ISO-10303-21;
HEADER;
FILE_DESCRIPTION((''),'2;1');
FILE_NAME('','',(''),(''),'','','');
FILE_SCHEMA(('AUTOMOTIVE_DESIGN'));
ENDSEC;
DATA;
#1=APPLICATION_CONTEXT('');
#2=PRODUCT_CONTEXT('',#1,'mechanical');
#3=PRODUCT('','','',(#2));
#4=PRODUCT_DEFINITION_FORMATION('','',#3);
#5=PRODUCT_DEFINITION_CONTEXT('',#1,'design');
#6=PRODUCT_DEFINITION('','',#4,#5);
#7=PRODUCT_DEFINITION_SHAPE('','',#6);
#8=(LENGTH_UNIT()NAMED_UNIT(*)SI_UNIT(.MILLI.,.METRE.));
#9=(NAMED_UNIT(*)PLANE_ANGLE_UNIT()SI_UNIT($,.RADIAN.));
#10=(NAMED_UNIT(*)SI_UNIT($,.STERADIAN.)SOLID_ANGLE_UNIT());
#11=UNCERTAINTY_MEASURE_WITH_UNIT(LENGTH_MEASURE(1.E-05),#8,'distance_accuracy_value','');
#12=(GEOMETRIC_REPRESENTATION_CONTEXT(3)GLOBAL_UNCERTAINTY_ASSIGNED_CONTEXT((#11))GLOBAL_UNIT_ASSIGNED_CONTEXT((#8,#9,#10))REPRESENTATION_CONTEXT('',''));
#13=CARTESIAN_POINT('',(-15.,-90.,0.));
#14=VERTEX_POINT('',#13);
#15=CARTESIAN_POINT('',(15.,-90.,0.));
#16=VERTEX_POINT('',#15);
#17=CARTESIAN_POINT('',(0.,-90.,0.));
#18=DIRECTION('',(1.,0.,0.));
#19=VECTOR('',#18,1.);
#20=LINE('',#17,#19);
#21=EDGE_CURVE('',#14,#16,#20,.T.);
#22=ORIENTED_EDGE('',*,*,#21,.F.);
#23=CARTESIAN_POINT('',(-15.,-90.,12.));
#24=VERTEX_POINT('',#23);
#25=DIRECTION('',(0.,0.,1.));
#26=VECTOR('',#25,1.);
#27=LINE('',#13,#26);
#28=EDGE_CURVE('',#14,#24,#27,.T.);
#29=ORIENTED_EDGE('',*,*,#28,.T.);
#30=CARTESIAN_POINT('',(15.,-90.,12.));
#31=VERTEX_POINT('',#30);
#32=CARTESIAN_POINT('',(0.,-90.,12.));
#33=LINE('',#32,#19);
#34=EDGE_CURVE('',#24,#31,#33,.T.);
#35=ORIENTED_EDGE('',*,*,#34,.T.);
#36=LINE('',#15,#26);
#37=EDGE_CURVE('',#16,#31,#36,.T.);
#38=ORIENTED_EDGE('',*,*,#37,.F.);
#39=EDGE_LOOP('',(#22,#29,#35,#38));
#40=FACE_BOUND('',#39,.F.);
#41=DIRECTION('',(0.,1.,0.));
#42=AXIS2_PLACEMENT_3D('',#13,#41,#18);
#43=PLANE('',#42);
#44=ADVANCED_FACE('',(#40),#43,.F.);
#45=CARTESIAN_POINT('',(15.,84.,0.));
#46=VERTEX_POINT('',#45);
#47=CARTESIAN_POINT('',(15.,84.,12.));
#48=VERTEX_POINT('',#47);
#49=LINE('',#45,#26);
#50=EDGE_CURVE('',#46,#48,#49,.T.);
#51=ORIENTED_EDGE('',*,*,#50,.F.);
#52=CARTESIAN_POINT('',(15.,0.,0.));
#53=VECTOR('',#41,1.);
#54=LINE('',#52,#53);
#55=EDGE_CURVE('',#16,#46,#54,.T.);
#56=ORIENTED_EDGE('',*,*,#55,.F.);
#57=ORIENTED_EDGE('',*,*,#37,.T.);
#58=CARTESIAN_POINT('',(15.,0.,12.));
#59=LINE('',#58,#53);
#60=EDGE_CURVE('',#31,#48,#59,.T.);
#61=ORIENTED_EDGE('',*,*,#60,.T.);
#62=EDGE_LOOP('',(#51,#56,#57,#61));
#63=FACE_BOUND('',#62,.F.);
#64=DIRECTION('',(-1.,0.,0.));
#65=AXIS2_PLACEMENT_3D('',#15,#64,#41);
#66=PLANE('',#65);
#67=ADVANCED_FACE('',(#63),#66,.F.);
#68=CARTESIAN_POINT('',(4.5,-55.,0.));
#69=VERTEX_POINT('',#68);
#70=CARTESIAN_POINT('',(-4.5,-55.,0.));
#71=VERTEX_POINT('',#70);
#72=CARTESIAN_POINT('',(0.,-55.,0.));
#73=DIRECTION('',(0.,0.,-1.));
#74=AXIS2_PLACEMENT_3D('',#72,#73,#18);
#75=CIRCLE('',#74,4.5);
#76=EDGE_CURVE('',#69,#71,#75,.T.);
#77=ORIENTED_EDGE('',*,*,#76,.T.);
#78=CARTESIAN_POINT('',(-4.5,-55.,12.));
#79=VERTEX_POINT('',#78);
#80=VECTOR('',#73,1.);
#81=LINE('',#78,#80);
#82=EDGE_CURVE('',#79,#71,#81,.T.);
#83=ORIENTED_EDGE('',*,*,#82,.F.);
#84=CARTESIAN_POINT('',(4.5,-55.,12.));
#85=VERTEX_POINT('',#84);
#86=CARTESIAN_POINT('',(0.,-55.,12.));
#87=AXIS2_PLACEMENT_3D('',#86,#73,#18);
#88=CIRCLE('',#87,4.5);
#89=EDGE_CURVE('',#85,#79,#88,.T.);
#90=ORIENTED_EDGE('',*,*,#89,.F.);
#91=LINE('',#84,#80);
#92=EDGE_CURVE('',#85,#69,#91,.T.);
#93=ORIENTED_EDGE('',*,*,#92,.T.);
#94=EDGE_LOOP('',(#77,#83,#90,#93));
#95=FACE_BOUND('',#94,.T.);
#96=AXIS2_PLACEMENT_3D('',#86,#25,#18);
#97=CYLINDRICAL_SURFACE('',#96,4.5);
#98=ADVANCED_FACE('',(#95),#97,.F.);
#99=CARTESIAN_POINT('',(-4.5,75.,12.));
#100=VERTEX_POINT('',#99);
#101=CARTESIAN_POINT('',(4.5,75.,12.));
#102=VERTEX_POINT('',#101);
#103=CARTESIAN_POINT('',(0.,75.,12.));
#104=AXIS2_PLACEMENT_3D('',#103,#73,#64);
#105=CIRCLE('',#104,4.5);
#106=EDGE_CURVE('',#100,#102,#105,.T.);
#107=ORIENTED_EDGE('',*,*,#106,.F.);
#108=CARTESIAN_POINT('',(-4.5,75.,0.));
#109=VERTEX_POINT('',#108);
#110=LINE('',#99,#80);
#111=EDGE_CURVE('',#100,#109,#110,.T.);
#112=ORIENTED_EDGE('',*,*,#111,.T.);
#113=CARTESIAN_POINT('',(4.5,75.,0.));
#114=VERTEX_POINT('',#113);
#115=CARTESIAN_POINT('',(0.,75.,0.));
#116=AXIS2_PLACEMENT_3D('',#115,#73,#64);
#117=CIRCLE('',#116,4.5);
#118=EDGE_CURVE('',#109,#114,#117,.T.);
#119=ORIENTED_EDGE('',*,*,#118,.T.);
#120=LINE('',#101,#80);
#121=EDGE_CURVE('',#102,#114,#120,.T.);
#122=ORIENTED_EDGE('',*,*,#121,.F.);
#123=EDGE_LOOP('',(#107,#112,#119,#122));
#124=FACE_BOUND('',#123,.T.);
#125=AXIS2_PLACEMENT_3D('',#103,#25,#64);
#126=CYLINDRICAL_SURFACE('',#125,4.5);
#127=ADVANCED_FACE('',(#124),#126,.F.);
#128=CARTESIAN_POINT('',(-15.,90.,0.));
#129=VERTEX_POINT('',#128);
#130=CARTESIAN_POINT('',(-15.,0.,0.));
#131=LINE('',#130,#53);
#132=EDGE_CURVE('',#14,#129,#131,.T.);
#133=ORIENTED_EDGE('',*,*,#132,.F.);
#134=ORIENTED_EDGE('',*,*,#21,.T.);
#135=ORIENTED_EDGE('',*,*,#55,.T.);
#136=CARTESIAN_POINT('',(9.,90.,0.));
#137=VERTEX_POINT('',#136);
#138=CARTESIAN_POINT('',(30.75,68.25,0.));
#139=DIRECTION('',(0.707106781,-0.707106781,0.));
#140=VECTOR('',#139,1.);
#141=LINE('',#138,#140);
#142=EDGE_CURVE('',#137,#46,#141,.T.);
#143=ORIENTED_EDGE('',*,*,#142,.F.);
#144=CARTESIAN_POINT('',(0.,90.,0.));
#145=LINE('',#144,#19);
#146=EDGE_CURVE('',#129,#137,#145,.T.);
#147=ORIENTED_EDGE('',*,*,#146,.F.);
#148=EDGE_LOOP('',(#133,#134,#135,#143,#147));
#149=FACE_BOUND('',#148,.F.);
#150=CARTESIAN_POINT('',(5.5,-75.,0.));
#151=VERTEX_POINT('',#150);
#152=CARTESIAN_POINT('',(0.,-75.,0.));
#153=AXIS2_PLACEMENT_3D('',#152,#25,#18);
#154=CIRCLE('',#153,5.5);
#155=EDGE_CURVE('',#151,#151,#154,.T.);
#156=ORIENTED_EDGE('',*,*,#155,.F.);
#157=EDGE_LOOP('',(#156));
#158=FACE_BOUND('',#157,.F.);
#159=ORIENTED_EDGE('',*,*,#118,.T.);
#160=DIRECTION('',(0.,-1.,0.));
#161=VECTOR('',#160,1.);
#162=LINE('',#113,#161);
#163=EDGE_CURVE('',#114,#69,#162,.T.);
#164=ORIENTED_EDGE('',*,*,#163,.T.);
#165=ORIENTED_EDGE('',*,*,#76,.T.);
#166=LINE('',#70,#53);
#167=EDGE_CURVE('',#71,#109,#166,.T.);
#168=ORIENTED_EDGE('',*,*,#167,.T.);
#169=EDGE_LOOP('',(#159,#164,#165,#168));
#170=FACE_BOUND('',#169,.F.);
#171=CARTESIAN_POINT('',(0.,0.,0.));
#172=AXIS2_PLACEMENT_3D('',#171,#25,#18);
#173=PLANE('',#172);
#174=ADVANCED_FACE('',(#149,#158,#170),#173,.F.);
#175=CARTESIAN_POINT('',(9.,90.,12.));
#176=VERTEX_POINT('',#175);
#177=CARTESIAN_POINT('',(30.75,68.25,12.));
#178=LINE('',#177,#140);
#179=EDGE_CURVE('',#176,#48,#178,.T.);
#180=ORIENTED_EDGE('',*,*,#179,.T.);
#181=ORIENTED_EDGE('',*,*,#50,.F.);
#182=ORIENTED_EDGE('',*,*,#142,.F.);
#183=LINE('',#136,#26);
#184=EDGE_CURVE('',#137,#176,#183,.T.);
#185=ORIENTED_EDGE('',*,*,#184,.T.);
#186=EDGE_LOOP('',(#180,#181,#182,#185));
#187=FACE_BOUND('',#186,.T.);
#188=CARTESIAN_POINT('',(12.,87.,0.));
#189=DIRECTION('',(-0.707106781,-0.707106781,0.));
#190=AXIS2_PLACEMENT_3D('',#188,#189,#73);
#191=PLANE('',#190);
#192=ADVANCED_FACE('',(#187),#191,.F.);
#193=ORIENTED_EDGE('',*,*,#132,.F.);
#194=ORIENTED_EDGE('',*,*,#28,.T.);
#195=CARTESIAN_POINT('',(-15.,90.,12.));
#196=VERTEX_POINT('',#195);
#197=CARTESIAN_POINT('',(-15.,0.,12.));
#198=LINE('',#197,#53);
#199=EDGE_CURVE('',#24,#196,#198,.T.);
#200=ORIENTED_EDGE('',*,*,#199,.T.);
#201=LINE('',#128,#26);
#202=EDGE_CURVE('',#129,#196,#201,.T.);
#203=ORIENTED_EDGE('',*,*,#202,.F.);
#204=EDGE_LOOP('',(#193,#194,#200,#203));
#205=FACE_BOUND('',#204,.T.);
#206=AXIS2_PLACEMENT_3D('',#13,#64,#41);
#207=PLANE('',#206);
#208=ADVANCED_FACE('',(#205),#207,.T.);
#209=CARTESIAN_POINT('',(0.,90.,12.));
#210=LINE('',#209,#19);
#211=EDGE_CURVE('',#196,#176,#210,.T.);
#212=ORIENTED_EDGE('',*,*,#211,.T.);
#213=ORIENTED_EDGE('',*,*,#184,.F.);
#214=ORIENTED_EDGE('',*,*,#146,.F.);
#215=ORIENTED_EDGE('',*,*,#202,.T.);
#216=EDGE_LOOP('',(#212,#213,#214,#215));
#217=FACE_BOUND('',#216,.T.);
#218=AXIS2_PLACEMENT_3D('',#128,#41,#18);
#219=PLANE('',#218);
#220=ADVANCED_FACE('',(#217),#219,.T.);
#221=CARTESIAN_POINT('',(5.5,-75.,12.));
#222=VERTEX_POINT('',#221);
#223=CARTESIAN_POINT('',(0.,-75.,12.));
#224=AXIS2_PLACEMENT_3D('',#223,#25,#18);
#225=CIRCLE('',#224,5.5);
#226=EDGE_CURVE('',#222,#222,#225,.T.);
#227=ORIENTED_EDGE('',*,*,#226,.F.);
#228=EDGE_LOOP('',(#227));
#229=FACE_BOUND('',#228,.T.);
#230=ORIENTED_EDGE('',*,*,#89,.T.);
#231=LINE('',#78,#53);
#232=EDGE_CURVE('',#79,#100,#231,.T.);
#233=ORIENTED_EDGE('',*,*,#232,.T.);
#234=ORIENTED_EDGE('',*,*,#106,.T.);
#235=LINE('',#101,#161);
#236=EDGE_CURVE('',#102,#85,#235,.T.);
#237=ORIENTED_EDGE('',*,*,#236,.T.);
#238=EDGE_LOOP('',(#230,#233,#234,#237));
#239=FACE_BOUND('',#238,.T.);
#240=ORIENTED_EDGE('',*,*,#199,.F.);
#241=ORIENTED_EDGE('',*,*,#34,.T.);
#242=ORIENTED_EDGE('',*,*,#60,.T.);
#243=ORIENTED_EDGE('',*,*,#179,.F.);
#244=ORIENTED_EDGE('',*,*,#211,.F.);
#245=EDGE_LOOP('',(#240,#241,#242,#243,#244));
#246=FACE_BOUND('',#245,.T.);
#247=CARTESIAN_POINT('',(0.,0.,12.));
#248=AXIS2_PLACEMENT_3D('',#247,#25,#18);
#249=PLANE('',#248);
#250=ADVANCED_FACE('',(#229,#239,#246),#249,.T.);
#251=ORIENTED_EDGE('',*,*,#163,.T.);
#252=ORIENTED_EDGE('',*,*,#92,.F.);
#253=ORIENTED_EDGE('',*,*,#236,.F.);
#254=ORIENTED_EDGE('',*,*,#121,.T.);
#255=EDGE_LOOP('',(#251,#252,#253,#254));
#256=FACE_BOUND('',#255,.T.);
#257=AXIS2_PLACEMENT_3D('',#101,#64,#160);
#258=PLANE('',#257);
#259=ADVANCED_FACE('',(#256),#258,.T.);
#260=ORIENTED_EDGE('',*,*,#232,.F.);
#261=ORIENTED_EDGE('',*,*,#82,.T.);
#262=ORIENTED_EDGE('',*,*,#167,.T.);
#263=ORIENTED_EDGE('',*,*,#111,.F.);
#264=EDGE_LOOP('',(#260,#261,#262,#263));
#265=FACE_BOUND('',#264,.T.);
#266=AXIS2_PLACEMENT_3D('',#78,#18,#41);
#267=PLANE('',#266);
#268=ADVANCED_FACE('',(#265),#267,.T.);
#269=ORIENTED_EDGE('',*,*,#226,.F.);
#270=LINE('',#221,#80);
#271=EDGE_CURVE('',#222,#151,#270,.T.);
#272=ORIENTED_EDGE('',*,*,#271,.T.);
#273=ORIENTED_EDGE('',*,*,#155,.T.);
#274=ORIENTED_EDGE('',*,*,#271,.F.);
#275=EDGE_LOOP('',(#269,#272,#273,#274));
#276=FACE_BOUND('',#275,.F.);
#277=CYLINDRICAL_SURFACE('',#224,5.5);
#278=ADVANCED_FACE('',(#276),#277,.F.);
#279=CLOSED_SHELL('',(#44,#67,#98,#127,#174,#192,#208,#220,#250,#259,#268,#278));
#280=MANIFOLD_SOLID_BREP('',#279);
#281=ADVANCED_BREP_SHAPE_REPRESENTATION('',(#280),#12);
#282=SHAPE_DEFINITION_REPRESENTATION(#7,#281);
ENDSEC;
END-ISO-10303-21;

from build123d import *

# Parameters (mm, degrees)
SKETCH_1_W          = 30
SKETCH_1_H          = 180
EXTRUDE_1_DEPTH     = 12
SKETCH_2_R          = 5.5
CUT_EXTRUDE_1_DEPTH = 12
CHAMFER_1_SIZE      = 6


with BuildPart() as part:
    # 草图1 → 凸台-拉伸1 (new body)
    with BuildSketch(Plane.XY):
        Rectangle(SKETCH_1_W, SKETCH_1_H)
    extrude(amount=EXTRUDE_1_DEPTH)

    # 草图2 → 切除-拉伸1 (cut)
    with BuildSketch(Plane.XY.offset(12)):
        with Locations((0, -75)):
            Circle(SKETCH_2_R)
        with BuildLine():
            Line((4.5, 75), (4.5, -55))
            ThreePointArc((4.5, -55), (0, -59.5), (-4.5, -55))
            Line((-4.5, -55), (-4.5, 75))
            ThreePointArc((-4.5, 75), (0, 79.5), (4.5, 75))
        make_face()
    extrude(amount=-CUT_EXTRUDE_1_DEPTH, mode=Mode.SUBTRACT)

    # 倒角1
    chamfer_1_edges = [part.edges().sort_by_distance(p)[0] for p in [
        (15, 90, 6),
    ]]
    chamfer(chamfer_1_edges, length=CHAMFER_1_SIZE)


solid = part.part
